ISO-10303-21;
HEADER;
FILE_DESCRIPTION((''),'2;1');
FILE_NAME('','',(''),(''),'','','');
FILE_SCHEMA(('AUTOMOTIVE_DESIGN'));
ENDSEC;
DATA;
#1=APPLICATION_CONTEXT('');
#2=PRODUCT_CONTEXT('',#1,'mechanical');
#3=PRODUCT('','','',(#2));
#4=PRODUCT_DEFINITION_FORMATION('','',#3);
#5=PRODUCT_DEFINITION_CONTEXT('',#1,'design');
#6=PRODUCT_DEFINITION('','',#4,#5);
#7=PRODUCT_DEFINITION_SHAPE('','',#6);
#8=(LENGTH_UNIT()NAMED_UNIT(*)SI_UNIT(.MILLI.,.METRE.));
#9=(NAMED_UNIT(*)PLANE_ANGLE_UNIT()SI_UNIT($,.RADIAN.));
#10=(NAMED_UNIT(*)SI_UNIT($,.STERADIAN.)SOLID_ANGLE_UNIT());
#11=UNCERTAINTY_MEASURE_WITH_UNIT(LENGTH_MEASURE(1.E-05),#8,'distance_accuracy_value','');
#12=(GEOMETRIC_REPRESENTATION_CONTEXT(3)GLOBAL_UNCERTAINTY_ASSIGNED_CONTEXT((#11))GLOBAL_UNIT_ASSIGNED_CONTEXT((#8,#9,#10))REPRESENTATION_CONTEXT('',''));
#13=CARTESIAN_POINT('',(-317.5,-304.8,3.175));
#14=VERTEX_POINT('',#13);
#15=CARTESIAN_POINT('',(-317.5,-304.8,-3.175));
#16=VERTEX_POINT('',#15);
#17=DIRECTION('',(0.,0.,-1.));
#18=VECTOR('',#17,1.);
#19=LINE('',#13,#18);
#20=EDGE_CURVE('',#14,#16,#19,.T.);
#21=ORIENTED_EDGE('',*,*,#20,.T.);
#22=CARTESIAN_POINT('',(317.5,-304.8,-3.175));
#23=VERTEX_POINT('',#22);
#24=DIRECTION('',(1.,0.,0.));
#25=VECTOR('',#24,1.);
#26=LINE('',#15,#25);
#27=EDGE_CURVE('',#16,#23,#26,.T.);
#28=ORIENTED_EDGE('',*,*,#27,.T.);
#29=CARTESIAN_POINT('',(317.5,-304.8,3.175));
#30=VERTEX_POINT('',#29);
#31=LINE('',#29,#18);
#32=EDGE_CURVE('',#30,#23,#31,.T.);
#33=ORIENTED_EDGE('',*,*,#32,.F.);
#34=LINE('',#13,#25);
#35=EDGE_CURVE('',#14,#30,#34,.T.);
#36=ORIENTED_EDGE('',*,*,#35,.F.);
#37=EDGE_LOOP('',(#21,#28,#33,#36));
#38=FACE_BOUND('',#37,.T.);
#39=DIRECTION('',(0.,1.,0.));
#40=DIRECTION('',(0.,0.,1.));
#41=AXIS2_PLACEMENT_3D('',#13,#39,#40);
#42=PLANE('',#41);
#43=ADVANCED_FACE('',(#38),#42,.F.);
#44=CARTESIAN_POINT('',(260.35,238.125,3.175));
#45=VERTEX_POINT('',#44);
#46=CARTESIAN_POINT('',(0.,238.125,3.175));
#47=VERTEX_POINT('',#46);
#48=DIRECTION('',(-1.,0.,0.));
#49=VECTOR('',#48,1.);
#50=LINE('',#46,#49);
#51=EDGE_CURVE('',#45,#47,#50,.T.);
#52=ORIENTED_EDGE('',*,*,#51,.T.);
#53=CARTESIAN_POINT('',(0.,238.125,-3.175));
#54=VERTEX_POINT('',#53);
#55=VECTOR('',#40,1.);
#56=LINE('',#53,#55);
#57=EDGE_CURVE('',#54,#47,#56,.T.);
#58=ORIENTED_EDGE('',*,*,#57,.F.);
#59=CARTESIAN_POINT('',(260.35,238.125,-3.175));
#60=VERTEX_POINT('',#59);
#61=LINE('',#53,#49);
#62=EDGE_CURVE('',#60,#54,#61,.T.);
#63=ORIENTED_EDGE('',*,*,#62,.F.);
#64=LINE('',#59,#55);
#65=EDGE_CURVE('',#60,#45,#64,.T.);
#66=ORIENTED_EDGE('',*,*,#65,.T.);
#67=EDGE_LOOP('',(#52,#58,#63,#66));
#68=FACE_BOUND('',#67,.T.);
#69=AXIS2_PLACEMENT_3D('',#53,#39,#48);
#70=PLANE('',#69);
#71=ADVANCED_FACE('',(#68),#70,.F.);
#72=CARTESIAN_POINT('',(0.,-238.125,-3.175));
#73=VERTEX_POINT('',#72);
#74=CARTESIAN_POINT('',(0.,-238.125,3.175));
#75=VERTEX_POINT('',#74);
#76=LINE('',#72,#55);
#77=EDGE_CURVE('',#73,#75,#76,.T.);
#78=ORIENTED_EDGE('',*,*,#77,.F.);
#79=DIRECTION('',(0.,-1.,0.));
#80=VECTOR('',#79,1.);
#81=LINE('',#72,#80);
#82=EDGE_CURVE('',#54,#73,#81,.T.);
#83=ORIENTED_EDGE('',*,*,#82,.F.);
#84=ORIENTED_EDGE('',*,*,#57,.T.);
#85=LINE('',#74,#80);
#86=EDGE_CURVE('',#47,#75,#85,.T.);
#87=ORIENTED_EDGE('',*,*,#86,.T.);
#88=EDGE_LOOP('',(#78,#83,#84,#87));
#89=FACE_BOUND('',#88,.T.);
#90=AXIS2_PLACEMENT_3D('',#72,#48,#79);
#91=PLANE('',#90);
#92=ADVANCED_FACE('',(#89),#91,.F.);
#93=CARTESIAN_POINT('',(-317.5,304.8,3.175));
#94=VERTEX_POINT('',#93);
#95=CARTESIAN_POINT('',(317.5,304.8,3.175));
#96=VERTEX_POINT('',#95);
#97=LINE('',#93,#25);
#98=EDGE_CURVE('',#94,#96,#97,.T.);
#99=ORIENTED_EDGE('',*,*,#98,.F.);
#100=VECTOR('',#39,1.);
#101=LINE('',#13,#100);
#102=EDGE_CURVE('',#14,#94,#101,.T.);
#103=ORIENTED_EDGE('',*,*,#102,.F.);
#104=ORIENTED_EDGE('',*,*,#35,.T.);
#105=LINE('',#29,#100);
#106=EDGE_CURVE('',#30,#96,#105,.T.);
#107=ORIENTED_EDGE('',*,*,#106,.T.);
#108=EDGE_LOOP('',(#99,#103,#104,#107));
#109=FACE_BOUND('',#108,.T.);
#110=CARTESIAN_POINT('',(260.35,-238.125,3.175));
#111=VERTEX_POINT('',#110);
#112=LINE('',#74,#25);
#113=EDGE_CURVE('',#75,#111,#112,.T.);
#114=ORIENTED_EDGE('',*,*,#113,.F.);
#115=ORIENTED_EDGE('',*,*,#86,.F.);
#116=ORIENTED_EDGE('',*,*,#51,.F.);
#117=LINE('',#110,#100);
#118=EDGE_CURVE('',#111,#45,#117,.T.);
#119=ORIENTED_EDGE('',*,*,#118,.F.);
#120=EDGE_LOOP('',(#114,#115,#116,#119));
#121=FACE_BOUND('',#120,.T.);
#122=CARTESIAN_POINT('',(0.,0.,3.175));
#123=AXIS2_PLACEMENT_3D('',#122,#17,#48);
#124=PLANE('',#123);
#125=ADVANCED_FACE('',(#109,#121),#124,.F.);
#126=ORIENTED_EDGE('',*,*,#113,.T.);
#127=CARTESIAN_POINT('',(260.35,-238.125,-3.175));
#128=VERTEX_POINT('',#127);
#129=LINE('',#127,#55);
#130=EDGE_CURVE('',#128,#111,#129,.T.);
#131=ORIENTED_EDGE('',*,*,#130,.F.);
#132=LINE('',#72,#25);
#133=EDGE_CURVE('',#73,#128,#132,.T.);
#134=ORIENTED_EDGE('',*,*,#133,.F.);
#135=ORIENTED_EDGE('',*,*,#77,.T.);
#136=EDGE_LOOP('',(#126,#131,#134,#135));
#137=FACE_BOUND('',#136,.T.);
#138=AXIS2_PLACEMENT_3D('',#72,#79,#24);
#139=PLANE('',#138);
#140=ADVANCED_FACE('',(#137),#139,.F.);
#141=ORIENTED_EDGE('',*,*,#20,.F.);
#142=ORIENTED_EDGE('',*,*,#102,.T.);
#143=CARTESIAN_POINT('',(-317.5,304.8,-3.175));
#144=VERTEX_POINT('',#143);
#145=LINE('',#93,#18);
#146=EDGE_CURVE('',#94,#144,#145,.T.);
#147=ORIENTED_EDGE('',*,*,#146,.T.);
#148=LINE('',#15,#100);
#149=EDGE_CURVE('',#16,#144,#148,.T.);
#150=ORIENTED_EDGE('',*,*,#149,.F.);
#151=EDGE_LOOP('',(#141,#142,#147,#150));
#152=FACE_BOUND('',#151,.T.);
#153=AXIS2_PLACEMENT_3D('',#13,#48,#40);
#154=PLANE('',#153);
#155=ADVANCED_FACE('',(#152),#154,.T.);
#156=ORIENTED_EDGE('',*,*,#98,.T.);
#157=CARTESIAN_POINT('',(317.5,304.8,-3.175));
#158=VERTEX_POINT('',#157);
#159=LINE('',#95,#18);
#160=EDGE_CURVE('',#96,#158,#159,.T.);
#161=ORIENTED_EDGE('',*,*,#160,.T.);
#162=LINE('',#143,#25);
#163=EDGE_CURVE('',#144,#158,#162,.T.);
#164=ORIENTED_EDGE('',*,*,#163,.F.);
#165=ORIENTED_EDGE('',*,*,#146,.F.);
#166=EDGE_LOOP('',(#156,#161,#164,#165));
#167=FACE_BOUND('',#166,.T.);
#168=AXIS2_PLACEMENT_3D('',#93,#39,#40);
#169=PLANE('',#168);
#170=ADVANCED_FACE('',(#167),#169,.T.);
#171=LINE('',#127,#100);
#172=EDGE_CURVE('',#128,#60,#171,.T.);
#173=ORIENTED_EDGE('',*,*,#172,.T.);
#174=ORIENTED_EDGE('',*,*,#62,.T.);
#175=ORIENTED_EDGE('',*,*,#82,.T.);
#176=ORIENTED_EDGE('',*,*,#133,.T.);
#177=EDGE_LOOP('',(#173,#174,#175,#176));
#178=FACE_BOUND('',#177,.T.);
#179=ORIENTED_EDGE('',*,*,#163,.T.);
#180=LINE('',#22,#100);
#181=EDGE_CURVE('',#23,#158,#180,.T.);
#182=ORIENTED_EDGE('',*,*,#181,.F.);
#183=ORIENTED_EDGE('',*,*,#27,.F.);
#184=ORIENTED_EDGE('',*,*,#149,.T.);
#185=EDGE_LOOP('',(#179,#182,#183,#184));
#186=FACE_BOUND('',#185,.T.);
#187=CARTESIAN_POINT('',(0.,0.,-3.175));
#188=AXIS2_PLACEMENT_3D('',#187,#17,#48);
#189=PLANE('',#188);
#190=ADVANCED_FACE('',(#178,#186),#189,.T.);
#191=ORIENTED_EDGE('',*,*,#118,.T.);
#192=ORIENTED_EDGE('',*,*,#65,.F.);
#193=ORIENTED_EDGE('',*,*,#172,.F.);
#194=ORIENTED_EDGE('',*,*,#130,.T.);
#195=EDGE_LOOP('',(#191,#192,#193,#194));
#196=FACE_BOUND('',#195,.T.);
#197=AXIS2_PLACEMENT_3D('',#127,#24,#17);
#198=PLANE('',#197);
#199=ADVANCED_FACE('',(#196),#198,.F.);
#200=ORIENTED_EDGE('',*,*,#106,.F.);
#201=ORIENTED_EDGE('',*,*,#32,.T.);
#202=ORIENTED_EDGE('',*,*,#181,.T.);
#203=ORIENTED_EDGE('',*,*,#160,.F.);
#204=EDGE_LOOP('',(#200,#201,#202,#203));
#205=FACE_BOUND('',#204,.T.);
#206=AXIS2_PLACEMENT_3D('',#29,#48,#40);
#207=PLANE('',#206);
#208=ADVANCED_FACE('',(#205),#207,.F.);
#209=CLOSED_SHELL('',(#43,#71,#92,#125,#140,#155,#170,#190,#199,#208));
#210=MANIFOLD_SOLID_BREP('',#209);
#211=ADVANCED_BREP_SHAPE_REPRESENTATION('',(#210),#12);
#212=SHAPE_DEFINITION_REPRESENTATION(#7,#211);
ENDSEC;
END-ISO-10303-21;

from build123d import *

# Parameters (mm, degrees)
SKETCH1_W           = 635
SKETCH1_H           = 609.6
BOSS_EXTRUDE1_DEPTH = 3.175
SKETCH2_W           = 260.35
SKETCH2_H           = 476.25
CUT_EXTRUDE1_DEPTH  = 441.169981371


with BuildPart() as part:
    # Sketch1 → Boss-Extrude1 (new, symmetric)
    with BuildSketch(Plane.XY):
        Rectangle(SKETCH1_W, SKETCH1_H)
    extrude(amount=BOSS_EXTRUDE1_DEPTH, both=True)

    # Sketch2 → Cut-Extrude1 (cut, through all)
    with BuildSketch(Plane.XY.offset(3.175)):
        with Locations((130.175, 0)):
            Rectangle(SKETCH2_W, SKETCH2_H)
    extrude(amount=-CUT_EXTRUDE1_DEPTH, mode=Mode.SUBTRACT)


solid = part.part
